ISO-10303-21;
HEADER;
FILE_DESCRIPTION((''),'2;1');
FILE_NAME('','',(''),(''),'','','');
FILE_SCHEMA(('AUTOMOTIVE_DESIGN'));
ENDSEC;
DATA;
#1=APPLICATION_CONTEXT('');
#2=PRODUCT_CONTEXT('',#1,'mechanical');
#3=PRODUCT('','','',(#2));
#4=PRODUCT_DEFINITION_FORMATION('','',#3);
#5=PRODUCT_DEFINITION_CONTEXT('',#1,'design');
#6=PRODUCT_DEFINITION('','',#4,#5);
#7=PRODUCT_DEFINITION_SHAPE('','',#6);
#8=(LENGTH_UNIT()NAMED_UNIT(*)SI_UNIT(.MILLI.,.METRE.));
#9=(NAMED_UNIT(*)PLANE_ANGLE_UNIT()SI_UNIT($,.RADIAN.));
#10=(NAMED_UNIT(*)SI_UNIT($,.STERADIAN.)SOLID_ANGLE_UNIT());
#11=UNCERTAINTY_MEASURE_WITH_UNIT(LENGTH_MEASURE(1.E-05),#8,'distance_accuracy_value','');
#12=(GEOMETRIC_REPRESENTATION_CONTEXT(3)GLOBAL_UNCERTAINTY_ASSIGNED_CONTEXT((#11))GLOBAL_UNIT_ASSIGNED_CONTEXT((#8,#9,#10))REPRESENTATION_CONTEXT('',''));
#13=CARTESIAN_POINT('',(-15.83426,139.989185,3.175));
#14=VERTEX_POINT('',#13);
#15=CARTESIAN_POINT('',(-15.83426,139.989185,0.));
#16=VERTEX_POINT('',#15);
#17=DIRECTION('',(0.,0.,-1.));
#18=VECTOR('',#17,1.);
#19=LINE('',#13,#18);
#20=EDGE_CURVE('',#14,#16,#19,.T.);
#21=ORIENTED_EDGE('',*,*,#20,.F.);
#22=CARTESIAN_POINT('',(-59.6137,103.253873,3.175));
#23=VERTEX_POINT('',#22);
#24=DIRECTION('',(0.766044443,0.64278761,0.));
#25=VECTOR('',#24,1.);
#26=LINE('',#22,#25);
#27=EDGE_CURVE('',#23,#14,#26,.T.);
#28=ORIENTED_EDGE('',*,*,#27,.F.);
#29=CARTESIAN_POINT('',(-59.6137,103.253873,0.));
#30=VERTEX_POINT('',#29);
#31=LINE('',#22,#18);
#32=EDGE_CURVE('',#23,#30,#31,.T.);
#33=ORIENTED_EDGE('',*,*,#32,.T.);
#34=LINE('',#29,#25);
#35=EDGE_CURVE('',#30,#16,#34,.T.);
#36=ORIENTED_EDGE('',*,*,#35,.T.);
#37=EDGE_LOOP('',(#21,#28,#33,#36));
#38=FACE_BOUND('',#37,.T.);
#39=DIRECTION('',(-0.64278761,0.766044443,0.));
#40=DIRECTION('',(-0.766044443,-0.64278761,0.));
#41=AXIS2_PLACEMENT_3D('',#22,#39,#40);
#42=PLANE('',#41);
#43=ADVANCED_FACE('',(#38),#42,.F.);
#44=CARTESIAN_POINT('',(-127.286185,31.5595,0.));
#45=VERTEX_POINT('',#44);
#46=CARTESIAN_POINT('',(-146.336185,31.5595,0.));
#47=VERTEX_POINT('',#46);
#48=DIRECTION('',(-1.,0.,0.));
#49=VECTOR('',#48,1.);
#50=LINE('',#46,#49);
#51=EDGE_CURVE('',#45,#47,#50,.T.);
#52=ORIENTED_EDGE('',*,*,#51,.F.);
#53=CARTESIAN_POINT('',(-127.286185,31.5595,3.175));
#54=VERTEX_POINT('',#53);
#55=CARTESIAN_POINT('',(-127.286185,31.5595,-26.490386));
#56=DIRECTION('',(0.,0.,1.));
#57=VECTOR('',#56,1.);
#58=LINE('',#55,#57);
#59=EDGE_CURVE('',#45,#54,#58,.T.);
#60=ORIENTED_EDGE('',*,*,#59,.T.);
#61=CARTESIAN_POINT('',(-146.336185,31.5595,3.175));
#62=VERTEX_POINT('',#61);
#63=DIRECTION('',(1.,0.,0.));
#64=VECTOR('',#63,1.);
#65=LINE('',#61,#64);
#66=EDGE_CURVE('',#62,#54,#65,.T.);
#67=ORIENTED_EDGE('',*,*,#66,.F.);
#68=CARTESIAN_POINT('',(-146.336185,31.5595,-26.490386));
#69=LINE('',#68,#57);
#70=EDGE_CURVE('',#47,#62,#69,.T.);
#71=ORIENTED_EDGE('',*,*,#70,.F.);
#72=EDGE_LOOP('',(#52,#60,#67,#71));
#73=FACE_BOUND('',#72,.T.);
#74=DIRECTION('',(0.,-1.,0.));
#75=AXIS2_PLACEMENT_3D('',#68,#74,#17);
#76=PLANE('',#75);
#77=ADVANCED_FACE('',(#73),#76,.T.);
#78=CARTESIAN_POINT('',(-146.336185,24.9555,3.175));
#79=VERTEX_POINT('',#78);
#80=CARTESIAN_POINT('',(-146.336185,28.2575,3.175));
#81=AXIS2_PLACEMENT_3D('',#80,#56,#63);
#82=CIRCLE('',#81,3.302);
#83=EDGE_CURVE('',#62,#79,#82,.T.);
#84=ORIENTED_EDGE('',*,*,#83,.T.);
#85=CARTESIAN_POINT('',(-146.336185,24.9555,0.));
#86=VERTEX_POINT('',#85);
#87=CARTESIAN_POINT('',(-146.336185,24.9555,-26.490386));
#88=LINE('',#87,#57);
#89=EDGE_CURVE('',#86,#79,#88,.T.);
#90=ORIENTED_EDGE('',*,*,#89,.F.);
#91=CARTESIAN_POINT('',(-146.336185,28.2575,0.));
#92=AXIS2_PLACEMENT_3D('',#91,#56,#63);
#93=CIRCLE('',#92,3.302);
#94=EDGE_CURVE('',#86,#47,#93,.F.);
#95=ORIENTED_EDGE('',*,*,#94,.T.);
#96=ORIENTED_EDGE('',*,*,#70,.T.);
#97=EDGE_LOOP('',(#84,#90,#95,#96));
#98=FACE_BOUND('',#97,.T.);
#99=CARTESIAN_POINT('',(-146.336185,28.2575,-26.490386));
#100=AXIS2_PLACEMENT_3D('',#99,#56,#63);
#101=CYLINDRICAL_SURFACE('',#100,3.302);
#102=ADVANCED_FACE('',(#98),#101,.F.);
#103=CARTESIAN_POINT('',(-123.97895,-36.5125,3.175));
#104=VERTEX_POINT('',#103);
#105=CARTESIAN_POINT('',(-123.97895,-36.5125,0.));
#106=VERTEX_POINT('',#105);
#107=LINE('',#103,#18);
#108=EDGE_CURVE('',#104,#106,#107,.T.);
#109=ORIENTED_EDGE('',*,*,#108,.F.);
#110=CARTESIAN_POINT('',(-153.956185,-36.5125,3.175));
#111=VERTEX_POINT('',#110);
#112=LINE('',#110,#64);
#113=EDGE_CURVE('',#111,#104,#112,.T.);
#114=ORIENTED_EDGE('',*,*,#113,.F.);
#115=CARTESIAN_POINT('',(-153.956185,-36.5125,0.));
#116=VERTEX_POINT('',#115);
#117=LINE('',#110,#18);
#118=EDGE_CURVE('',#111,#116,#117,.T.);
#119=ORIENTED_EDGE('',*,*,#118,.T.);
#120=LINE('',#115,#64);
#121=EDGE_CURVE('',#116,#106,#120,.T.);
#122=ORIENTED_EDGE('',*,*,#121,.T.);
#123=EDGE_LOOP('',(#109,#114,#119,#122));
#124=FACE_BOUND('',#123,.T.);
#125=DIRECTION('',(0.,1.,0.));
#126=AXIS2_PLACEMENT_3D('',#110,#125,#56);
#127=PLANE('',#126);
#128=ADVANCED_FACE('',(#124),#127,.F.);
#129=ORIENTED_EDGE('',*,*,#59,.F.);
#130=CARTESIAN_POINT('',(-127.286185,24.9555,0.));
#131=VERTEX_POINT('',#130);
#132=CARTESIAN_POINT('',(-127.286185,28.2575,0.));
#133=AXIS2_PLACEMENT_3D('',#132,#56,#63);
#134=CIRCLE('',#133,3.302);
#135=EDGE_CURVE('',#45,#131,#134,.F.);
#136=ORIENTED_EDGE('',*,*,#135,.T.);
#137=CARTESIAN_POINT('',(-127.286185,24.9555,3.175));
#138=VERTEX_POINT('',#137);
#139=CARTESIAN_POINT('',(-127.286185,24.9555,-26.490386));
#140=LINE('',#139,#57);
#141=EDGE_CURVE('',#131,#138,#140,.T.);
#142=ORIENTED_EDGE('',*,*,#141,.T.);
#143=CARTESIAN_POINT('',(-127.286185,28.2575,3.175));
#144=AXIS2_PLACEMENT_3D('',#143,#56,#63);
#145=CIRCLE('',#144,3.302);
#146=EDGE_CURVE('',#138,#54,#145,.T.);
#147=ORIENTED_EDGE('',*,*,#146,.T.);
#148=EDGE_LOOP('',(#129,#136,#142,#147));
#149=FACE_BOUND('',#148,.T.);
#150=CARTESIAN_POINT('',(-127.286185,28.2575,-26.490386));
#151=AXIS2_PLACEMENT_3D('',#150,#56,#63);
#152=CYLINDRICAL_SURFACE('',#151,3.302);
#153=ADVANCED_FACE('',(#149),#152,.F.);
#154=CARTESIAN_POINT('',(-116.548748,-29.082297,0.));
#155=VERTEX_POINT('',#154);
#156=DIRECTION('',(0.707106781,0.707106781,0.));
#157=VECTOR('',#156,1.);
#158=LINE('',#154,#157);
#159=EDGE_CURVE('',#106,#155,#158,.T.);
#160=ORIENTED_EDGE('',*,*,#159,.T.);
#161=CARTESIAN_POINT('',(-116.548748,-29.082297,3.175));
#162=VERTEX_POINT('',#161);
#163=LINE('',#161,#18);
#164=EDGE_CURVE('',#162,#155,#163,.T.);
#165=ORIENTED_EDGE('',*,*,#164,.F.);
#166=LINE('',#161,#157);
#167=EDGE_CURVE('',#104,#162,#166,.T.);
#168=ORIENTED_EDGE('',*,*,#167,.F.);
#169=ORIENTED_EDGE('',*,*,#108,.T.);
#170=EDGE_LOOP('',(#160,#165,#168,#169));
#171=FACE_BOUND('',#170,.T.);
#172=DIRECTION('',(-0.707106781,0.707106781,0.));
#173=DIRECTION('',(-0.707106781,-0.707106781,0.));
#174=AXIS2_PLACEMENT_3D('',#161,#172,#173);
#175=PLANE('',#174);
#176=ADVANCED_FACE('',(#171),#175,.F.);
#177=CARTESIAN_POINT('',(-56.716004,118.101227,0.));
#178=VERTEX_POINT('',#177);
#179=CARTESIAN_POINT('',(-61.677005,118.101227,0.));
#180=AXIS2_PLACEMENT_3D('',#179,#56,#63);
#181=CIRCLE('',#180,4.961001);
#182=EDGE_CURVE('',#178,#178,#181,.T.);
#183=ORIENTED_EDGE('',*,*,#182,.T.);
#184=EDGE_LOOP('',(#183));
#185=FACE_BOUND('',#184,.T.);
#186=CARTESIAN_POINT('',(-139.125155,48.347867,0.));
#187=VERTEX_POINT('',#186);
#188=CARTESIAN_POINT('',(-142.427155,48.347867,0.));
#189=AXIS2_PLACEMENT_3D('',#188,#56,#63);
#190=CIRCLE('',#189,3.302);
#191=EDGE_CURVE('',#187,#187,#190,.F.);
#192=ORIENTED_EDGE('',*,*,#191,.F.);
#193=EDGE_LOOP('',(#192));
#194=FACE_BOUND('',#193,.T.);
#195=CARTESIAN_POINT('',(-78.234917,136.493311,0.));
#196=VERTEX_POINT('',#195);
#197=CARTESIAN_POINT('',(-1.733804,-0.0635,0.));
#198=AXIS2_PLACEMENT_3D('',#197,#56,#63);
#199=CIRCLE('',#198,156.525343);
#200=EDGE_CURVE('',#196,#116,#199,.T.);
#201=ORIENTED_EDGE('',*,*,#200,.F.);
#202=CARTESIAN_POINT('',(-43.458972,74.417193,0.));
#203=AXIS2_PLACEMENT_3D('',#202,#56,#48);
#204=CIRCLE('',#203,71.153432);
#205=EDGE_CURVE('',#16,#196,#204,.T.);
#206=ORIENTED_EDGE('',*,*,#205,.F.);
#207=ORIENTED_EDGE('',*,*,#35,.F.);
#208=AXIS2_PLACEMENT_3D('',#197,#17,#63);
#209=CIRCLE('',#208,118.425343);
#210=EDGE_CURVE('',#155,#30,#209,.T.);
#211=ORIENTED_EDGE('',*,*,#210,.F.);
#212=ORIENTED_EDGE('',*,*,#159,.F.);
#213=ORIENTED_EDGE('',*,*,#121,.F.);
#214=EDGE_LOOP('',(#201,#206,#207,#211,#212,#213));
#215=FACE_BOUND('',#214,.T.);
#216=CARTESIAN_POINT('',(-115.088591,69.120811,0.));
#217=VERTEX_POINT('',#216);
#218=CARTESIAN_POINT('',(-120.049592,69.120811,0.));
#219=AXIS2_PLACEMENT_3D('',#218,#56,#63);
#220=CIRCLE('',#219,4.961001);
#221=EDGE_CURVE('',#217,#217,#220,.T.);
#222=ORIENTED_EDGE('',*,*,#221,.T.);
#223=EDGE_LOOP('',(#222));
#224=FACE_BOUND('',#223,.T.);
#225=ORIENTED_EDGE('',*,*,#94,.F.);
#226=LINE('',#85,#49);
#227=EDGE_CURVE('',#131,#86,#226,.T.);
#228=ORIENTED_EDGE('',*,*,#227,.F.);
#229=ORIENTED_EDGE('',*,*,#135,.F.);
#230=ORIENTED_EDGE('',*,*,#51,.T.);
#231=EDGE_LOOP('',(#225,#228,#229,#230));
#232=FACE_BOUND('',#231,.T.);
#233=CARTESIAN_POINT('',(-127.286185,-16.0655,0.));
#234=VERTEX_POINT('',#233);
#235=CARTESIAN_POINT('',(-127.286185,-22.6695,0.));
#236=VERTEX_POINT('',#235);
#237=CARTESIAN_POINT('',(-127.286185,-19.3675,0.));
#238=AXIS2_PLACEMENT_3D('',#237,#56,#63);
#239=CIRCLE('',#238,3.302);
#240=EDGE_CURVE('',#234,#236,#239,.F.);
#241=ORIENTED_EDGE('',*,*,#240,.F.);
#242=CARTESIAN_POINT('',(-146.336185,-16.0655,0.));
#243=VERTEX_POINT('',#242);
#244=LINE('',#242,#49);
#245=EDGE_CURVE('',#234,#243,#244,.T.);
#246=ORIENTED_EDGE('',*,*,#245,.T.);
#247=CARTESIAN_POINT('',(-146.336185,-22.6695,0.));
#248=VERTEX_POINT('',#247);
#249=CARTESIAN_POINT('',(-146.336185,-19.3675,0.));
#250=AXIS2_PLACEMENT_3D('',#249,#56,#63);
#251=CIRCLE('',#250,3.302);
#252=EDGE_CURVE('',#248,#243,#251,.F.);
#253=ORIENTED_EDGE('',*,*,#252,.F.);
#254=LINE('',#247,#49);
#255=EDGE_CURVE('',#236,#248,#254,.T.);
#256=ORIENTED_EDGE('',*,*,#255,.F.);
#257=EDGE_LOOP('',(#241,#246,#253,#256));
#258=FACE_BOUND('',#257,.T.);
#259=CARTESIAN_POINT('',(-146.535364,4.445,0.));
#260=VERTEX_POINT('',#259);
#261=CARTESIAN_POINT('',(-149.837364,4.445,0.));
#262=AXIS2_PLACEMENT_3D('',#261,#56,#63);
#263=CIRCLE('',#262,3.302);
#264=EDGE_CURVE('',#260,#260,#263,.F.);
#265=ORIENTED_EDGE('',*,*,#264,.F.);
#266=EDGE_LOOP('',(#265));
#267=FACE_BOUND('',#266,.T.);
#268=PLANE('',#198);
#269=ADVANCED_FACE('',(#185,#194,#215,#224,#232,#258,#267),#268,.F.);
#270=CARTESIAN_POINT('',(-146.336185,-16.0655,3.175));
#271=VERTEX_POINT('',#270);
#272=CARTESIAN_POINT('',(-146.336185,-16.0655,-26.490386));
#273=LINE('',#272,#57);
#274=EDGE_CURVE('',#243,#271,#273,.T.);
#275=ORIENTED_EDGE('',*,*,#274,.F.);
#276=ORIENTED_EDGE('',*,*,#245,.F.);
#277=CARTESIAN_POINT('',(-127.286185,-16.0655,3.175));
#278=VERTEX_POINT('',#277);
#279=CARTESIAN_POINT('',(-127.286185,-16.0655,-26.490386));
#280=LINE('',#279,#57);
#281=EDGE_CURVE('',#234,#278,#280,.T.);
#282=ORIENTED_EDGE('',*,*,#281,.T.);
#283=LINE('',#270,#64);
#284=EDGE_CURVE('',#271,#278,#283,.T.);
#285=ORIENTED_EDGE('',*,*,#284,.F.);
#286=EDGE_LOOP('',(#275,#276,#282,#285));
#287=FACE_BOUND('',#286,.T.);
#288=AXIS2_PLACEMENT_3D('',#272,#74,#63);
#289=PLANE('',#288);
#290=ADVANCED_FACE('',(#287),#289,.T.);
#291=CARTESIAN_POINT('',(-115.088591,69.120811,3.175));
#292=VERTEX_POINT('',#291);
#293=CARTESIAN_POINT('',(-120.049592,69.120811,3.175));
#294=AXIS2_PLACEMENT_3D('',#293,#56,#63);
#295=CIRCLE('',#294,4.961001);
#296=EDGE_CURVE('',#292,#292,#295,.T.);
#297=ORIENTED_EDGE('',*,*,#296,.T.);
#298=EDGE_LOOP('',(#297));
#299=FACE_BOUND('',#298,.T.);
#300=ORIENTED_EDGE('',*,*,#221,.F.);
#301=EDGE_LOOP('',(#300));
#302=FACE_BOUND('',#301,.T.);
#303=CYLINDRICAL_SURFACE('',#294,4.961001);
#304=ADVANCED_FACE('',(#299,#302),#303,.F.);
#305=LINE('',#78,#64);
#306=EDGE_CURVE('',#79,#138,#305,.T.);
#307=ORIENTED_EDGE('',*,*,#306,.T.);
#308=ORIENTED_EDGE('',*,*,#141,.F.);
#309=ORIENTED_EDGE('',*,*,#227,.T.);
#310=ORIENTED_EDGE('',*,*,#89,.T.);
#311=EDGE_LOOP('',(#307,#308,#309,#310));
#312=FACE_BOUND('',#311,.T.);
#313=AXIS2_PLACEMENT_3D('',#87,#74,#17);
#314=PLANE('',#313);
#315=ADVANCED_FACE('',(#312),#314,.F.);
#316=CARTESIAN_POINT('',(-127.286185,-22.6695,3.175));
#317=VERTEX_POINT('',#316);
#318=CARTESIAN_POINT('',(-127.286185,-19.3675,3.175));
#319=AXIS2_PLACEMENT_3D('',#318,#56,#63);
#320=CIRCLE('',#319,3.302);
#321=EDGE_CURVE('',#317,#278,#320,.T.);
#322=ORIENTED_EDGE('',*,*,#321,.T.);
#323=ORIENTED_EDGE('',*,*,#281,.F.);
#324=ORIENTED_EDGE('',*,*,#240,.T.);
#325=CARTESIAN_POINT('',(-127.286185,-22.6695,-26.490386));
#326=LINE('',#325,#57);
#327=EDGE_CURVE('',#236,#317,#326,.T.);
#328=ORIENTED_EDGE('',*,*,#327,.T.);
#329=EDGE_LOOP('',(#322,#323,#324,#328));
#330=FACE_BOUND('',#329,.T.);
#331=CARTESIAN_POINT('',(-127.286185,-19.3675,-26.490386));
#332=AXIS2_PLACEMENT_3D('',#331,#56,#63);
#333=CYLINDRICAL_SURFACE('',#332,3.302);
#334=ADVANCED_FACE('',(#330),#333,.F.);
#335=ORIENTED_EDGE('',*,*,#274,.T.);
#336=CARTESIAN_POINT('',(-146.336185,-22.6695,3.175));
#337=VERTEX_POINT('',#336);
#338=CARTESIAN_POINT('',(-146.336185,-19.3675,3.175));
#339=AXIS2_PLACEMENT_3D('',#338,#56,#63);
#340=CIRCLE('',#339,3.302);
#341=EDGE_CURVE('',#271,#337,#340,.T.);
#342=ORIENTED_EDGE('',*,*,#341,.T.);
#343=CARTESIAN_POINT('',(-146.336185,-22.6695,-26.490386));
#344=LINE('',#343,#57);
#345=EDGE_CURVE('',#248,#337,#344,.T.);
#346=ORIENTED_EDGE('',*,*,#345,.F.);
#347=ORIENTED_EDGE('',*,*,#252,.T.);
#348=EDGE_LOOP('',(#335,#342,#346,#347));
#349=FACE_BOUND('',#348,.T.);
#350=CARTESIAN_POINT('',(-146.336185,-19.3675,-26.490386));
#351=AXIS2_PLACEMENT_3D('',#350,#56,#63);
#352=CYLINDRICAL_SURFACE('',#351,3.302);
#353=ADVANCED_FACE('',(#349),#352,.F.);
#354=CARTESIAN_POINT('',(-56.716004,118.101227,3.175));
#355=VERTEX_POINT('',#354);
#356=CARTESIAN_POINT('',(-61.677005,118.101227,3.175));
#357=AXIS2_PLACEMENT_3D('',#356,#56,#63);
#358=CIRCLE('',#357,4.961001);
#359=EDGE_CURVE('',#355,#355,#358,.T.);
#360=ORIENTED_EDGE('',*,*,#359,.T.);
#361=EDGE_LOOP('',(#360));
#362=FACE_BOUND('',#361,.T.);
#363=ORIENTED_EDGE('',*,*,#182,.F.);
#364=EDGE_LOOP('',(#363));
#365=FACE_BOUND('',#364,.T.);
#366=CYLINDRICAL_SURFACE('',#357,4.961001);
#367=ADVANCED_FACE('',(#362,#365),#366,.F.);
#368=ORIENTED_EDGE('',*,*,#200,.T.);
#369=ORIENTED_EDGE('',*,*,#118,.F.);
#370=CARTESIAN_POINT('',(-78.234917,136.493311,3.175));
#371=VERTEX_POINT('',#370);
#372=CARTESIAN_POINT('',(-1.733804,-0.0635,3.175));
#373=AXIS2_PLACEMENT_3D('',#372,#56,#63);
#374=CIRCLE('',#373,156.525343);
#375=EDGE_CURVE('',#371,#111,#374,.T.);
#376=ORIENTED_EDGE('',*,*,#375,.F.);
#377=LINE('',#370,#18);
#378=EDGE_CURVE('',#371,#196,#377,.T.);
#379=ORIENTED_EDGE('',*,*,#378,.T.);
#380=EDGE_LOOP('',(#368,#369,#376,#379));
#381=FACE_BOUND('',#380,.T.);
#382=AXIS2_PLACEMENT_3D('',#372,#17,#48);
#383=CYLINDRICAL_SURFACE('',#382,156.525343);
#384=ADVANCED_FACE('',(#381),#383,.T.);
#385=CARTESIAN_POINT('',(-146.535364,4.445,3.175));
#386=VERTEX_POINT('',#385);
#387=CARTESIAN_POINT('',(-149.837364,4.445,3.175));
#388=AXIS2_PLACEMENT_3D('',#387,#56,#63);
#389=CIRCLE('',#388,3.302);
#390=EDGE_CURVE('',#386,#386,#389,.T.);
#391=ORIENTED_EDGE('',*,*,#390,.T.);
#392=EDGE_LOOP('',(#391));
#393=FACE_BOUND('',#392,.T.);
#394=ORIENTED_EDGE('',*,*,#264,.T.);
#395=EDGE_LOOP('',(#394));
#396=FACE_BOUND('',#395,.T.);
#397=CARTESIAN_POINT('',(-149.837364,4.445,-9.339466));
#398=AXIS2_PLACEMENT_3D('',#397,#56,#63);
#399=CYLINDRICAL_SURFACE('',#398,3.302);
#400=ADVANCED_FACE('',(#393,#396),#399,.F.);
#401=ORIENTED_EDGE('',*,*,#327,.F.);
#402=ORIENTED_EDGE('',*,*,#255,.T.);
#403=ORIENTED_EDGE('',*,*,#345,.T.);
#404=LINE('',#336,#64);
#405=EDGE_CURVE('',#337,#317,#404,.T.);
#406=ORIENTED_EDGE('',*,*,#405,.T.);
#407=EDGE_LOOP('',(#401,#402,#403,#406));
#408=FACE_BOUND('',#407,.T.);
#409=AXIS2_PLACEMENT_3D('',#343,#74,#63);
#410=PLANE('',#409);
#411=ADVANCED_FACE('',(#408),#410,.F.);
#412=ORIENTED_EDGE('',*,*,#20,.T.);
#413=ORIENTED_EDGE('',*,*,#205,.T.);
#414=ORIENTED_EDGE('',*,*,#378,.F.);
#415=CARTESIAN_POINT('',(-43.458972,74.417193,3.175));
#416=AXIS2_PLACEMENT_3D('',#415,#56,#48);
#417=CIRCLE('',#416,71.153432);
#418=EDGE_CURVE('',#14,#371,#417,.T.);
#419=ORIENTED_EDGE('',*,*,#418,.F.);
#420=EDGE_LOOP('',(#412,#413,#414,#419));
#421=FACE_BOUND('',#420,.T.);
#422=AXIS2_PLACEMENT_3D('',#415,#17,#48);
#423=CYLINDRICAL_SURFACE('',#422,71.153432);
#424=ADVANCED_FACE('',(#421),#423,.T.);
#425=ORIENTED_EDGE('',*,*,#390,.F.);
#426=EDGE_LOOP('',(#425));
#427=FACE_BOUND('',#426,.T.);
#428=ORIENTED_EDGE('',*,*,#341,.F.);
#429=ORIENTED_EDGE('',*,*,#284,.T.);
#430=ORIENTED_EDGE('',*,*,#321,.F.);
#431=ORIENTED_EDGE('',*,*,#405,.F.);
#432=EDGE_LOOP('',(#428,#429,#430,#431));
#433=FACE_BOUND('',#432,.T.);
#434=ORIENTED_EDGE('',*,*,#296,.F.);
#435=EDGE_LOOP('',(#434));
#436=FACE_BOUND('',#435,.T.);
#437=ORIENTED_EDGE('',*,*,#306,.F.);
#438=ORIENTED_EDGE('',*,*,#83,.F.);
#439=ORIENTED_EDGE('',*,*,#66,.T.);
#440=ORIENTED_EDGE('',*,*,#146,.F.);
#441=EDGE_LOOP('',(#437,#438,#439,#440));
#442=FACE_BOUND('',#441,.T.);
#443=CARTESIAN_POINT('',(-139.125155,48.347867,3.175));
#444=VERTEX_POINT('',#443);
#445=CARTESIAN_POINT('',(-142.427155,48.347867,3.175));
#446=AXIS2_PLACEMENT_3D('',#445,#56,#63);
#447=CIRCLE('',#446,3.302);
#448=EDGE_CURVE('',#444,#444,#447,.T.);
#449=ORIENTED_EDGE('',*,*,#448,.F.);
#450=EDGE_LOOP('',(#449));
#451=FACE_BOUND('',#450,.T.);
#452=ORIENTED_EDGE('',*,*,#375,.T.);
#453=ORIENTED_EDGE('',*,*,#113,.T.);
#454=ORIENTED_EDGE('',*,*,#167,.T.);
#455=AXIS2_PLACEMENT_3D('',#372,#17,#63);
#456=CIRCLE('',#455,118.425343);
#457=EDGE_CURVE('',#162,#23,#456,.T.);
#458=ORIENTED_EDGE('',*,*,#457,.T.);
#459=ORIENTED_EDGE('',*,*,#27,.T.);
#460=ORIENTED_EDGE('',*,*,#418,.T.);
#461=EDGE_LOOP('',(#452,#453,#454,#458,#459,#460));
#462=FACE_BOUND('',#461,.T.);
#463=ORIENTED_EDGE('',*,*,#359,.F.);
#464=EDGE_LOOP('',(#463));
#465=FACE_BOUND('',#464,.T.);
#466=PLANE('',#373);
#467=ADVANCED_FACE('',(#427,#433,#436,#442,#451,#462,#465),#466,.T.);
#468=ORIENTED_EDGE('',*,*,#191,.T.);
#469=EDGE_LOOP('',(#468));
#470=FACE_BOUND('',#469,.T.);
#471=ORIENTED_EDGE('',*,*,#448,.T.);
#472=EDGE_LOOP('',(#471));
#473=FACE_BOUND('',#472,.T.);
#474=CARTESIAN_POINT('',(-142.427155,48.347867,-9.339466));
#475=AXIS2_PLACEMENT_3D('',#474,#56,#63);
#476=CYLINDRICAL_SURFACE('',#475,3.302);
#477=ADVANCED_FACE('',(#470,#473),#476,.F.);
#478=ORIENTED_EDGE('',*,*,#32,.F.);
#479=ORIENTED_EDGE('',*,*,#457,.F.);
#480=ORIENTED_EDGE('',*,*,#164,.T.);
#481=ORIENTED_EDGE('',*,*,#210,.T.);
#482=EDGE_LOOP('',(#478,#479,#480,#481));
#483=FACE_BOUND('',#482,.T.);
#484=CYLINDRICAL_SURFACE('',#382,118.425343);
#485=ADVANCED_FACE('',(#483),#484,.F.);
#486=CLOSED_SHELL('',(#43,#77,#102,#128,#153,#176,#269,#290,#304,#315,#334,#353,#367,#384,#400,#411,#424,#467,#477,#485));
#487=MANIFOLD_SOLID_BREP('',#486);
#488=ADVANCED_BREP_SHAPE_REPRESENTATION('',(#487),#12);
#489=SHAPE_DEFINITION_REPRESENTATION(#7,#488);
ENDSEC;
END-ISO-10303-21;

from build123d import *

# Parameters (mm, degrees)
BOSS_EXTRUDE1_DEPTH              = 3.175
CUT_EXTRUDE1_DEPTH               = 3.175
SKETCH4_R                        = 3.302
CUT_EXTRUDE2_DEPTH               = 3.175
F_25_64_0_39063_DIAMETER_HOLE1_D = 9.922002


with BuildPart() as part:
    # Sketch1 → Boss-Extrude1 (new body)
    with BuildSketch(Plane.XY):
        with BuildLine():
            Line((-153.9561854, -36.5125), (-123.978950074, -36.5125))
            Line((-123.978950074, -36.5125), (-116.548747531, -29.082297457))
            ThreePointArc((-116.548747531, -29.082297457), (-110.518418653, 46.73895163), (-59.613700036, 103.253872686))
            Line((-59.613700036, 103.253872686), (-15.834260112, 139.989184579))
            ThreePointArc((-15.834260112, 139.989184579), (-47.43896166, 145.45922618), (-78.234917279, 136.493311135))
            ThreePointArc((-78.234917279, 136.493311135), (-145.12613966, 62.696527677), (-153.9561854, -36.5125))
        make_face()
    extrude(amount=BOSS_EXTRUDE1_DEPTH)

    # Sketch2 → Cut-Extrude1 (cut)
    with BuildSketch(Plane.XY.offset(3.175)):
        with BuildLine():
            Line((-146.3361854, -16.0655), (-127.2861854, -16.0655))
            ThreePointArc((-127.2861854, -16.0655), (-123.9841854, -19.3675), (-127.2861854, -22.6695))
            Line((-127.2861854, -22.6695), (-146.3361854, -22.6695))
            ThreePointArc((-146.3361854, -22.6695), (-149.6381854, -19.3675), (-146.3361854, -16.0655))
        make_face()
        with BuildLine():
            Line((-146.3361854, 31.5595), (-127.2861854, 31.5595))
            ThreePointArc((-127.2861854, 31.5595), (-123.9841854, 28.2575), (-127.2861854, 24.9555))
            Line((-127.2861854, 24.9555), (-146.3361854, 24.9555))
            ThreePointArc((-146.3361854, 24.9555), (-149.6381854, 28.2575), (-146.3361854, 31.5595))
        make_face()
    extrude(amount=-CUT_EXTRUDE1_DEPTH, mode=Mode.SUBTRACT)

    # Sketch4 → Cut-Extrude2 (cut)
    with BuildSketch(Plane.XY.offset(3.175)):
        with Locations((-149.837364131, 4.445)):
            Circle(SKETCH4_R)
        with Locations((-142.427155303, 48.347866959)):
            Circle(SKETCH4_R)
    extrude(amount=-CUT_EXTRUDE2_DEPTH, mode=Mode.SUBTRACT)

    # 25/64 (0.39063) Diameter Hole1 (through all)
    with Locations(Plane.XY.offset(3.175)):
        with Locations((-120.049591928, 69.120810664), (-61.677005362, 118.101226522)):
            Hole(F_25_64_0_39063_DIAMETER_HOLE1_D / 2)


solid = part.part
